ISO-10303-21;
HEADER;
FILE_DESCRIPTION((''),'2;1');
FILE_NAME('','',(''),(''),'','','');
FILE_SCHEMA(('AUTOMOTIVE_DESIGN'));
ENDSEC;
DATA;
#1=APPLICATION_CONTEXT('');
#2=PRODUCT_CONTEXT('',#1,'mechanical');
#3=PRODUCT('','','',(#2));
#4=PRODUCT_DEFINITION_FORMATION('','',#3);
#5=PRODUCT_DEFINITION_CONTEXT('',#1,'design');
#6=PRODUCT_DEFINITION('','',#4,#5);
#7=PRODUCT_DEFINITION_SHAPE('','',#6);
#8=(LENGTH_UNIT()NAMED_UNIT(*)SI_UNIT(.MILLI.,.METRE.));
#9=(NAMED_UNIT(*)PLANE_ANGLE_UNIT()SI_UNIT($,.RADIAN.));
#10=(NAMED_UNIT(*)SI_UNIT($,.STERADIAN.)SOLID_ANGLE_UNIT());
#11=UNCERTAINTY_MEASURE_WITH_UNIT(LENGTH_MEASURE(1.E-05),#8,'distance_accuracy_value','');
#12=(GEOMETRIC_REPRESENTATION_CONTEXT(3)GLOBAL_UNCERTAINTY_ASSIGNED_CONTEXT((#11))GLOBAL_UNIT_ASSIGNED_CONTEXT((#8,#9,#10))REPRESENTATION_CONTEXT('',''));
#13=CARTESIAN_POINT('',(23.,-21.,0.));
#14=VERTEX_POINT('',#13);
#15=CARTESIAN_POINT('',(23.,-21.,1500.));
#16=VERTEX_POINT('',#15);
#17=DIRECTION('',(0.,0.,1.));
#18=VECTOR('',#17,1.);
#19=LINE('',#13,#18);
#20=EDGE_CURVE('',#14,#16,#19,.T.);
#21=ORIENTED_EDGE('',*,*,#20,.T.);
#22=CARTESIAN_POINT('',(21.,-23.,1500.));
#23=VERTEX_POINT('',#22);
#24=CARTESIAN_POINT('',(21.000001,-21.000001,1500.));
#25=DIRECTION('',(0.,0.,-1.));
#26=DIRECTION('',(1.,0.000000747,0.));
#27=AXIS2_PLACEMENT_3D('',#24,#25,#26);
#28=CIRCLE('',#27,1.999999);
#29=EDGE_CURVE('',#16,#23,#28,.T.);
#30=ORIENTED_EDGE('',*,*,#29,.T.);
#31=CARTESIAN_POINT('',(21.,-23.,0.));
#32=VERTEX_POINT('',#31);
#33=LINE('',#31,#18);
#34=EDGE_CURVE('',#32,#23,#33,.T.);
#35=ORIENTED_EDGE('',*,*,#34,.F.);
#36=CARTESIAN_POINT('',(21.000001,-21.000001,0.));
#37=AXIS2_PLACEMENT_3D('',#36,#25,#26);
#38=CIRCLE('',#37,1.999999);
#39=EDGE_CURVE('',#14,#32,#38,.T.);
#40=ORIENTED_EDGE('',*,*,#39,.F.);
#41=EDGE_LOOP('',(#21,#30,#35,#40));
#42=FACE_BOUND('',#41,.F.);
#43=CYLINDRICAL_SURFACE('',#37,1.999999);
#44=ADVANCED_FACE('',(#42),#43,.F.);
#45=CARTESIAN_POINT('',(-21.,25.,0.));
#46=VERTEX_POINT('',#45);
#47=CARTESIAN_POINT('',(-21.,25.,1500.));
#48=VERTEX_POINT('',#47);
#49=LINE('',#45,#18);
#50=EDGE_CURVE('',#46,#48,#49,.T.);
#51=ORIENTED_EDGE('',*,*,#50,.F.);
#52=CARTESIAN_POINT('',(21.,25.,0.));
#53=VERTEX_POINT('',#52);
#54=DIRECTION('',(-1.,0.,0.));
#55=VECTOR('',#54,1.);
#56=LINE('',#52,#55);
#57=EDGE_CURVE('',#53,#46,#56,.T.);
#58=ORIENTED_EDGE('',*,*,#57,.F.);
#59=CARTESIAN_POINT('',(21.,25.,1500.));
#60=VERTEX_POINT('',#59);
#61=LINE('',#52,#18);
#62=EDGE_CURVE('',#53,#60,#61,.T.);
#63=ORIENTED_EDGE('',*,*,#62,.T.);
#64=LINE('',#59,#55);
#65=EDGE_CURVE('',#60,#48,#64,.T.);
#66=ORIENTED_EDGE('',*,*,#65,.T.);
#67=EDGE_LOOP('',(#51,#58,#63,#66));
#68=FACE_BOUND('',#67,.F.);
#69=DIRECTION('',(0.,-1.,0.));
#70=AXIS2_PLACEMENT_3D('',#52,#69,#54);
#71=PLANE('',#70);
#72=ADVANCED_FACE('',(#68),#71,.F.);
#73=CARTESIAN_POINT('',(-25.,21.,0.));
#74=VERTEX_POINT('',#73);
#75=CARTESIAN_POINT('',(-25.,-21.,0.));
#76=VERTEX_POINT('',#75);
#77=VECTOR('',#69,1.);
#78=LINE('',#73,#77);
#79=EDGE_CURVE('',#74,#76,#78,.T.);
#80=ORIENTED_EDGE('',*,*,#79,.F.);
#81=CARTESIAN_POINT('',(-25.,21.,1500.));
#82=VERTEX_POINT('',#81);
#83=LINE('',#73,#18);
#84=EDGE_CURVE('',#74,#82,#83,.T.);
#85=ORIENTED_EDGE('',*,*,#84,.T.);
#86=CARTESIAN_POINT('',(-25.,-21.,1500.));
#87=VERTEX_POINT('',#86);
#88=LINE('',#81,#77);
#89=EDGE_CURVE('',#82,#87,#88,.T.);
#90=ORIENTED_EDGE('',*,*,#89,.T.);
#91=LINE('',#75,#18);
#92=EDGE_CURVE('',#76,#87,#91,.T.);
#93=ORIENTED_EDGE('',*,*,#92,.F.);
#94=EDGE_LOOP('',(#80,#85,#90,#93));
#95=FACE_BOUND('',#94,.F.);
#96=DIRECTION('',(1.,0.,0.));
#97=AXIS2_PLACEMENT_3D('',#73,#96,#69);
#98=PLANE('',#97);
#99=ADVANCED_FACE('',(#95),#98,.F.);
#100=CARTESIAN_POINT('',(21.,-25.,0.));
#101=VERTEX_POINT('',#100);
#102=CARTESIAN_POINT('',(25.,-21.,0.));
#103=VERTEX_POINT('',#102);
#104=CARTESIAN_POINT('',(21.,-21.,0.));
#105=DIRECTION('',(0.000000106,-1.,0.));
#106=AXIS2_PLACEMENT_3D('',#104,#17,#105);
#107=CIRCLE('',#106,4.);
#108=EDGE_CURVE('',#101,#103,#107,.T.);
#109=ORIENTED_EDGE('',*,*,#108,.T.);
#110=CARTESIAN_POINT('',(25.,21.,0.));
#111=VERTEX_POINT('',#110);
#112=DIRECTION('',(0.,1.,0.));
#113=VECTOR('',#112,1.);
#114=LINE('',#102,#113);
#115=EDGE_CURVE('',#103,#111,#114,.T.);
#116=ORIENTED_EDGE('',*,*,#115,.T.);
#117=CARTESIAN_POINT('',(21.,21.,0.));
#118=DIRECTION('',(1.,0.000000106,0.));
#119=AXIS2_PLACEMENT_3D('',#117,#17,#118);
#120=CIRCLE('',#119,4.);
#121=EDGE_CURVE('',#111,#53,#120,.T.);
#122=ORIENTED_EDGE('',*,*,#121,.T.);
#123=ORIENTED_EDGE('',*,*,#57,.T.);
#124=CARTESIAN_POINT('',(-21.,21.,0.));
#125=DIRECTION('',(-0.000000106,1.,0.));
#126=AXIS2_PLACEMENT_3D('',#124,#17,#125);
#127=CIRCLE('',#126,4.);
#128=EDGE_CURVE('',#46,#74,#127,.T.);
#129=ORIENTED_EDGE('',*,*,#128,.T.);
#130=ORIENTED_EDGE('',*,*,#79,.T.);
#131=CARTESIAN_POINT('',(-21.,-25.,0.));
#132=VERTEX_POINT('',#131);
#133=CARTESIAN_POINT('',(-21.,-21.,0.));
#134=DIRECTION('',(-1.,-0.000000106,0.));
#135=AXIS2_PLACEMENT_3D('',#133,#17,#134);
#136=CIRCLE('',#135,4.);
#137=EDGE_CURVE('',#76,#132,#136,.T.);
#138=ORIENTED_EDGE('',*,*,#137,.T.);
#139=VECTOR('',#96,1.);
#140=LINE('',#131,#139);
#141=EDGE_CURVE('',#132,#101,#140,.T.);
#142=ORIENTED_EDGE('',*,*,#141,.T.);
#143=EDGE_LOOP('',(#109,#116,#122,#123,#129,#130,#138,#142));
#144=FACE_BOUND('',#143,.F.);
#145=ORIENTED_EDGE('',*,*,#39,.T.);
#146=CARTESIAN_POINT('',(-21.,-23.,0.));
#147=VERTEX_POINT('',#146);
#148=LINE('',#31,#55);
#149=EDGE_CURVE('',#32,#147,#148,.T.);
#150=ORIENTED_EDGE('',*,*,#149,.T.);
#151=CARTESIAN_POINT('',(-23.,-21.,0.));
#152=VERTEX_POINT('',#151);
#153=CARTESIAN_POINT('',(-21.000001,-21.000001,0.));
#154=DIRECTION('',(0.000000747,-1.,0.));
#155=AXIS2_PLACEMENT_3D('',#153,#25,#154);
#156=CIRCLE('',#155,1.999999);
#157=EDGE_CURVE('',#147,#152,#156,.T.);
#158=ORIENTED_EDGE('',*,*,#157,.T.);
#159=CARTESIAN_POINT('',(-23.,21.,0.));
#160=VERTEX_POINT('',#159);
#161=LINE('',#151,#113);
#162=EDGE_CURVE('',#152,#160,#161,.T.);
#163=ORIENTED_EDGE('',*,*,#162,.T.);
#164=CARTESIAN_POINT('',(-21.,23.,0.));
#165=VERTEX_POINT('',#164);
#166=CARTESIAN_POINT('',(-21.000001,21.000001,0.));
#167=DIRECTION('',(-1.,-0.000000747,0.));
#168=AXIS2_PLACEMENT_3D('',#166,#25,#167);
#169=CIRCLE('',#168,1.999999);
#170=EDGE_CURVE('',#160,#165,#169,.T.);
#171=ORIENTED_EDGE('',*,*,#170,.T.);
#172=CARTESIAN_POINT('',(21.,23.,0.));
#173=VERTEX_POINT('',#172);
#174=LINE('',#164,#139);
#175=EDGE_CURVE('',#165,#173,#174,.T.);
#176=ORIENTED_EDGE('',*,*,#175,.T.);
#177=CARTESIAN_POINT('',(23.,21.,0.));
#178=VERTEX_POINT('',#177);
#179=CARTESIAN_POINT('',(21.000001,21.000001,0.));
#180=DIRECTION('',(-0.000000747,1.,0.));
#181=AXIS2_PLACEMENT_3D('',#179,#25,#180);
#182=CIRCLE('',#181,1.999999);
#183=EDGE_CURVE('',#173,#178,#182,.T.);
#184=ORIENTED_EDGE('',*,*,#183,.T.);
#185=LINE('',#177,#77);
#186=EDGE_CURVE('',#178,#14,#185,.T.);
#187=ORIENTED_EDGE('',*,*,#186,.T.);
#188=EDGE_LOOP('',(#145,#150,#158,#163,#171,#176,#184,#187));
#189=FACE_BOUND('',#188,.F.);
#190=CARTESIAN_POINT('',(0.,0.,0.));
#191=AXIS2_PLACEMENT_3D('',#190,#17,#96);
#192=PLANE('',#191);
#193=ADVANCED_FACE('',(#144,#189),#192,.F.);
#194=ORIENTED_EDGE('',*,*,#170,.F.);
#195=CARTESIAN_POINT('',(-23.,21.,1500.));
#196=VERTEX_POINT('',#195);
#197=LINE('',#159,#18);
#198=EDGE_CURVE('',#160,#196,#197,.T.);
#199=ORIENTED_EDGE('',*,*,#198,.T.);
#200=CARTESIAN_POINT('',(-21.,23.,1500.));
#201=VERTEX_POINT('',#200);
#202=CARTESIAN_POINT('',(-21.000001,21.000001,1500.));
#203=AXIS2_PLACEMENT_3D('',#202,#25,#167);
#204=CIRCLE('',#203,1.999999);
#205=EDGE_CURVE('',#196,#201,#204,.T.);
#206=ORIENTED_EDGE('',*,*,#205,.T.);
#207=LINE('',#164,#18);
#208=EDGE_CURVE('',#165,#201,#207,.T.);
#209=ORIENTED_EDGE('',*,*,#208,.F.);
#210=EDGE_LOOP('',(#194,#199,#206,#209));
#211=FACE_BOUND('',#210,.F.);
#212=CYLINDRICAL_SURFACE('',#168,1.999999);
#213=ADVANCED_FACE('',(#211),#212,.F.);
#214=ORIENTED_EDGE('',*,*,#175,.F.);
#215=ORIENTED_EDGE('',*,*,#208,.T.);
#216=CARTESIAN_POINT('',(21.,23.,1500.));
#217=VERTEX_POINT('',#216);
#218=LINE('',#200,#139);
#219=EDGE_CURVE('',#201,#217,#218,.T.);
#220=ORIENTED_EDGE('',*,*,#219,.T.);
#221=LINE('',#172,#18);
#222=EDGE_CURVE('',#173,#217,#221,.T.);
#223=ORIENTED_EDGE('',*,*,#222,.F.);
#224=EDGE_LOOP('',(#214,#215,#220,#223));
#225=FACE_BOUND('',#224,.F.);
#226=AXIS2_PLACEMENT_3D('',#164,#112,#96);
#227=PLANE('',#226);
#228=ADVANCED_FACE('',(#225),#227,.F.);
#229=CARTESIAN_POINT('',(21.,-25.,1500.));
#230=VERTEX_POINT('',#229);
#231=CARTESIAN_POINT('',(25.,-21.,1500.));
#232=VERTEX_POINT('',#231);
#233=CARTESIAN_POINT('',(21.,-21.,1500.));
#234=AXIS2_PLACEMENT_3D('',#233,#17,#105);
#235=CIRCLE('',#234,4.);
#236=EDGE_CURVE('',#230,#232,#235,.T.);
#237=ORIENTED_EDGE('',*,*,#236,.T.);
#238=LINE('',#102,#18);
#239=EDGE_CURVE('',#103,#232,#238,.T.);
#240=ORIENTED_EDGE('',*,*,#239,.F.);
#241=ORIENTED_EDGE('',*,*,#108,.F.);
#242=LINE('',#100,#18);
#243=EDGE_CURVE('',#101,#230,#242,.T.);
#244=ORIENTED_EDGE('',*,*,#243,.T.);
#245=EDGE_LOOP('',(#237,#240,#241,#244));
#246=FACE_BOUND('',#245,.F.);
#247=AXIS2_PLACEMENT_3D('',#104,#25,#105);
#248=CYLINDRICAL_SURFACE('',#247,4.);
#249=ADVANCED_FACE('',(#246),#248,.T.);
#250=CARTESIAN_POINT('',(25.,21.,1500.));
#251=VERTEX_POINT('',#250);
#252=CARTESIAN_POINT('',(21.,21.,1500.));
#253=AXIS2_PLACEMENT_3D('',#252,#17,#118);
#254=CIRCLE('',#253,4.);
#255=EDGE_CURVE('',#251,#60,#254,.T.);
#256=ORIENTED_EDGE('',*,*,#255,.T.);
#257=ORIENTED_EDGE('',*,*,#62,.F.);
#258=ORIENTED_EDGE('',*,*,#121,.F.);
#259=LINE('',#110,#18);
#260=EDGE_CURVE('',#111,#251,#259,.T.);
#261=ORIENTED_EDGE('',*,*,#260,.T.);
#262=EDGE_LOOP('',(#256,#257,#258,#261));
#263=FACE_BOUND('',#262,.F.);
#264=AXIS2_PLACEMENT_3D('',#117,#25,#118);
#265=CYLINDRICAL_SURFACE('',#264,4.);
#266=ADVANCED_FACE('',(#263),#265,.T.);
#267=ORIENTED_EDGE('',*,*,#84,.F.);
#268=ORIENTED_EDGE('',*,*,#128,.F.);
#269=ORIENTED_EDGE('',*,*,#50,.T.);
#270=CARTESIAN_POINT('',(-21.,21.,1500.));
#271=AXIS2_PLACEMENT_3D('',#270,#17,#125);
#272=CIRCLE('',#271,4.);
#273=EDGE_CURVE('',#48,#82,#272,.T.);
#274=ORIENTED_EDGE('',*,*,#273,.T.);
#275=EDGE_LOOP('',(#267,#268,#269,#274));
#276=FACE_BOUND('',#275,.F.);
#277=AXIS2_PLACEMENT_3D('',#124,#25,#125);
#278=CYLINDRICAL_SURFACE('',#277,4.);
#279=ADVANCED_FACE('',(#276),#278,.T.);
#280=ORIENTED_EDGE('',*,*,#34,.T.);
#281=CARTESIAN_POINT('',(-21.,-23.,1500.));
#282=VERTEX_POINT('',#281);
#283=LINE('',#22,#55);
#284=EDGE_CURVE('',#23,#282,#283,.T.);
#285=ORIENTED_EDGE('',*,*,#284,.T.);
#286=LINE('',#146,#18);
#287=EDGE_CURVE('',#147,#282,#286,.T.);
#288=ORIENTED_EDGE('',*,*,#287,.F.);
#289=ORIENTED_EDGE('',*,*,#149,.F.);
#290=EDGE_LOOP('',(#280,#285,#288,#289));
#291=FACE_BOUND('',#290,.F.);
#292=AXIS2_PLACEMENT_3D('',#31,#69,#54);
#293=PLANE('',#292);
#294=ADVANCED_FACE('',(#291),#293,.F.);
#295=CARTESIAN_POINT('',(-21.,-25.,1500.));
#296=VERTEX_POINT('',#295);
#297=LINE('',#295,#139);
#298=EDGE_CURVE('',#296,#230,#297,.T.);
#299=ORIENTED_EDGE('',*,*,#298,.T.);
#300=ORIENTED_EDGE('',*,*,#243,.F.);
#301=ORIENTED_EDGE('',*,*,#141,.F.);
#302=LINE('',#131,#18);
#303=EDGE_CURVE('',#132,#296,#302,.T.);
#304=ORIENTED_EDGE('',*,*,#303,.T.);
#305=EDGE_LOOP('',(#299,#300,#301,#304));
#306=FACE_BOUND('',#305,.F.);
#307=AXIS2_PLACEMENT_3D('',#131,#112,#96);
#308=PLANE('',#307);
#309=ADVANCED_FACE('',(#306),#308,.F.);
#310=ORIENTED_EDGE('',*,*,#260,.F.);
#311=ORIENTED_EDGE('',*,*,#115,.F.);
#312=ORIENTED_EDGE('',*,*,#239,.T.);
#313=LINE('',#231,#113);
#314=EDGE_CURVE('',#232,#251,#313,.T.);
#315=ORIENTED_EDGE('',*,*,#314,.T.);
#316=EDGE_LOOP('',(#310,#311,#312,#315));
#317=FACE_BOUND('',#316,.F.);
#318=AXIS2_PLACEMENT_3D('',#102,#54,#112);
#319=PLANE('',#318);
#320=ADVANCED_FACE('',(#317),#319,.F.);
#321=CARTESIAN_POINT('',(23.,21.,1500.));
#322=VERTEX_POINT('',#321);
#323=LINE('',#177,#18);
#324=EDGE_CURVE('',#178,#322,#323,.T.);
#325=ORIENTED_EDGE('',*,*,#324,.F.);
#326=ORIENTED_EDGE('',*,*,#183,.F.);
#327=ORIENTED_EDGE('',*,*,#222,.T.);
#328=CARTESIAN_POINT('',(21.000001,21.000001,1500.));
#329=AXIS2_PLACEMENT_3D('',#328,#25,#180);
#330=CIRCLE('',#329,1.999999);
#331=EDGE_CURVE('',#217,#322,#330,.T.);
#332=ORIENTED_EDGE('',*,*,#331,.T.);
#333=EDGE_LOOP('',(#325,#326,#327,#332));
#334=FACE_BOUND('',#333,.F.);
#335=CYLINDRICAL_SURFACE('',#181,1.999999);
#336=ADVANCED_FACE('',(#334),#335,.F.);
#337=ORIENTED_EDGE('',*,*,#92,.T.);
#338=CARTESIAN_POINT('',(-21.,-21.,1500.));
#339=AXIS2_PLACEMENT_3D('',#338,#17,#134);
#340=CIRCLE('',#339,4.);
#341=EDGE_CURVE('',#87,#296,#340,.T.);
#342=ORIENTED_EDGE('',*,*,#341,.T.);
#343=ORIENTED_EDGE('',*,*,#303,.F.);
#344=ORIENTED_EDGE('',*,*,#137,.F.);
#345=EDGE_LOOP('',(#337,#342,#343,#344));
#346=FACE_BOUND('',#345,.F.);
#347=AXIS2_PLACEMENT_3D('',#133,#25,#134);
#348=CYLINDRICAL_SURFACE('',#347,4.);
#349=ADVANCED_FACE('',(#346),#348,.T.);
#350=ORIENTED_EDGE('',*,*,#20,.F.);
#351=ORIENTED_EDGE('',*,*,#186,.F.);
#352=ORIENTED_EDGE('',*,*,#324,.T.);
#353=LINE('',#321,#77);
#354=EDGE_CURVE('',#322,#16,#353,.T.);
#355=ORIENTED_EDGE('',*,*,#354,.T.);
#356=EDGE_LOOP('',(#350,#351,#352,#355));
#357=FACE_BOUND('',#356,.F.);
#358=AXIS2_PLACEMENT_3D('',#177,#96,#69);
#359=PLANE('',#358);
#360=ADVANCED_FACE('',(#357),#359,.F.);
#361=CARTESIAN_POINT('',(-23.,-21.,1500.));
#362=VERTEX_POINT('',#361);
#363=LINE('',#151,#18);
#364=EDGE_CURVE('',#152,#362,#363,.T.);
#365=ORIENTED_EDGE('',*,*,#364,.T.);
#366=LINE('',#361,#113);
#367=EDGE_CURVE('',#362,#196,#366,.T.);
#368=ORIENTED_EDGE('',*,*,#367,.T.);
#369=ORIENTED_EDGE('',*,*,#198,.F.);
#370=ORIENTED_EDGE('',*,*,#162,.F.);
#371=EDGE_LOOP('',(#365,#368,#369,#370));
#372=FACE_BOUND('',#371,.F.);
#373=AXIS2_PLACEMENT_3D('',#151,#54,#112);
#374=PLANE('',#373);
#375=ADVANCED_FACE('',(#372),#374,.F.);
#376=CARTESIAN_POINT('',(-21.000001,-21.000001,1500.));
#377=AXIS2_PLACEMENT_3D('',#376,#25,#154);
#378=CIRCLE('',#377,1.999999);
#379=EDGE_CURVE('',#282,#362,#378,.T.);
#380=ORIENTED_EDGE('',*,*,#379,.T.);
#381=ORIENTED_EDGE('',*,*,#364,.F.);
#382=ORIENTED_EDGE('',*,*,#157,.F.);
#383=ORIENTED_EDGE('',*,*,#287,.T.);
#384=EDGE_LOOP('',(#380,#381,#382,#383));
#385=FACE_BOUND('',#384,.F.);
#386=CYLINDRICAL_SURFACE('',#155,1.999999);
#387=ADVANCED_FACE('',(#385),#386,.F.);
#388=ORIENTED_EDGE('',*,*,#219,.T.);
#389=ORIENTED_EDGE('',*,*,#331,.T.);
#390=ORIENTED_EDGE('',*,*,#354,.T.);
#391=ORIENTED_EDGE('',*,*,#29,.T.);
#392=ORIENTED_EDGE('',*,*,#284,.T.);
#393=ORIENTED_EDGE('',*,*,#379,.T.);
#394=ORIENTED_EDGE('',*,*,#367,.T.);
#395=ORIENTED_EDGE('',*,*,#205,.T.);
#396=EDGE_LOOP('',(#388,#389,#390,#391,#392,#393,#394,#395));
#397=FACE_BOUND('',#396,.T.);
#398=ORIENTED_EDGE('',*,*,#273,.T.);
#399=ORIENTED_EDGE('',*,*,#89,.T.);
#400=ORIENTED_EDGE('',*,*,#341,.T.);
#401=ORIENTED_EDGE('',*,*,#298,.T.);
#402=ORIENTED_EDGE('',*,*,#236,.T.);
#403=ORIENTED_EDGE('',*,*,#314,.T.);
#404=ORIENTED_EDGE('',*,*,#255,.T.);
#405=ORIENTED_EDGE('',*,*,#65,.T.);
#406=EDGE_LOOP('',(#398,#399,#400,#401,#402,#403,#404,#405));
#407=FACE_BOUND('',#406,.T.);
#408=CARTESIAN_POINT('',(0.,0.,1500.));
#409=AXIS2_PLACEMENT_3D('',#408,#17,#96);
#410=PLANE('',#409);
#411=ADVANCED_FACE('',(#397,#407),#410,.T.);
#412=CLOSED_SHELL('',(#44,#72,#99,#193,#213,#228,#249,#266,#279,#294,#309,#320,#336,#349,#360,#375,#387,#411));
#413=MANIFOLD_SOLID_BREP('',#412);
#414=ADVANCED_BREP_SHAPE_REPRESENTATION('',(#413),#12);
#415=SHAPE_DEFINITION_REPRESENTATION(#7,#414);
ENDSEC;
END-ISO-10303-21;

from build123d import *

# Parameters (mm, degrees)
F1_DEPTH = 1500


with BuildPart() as f1:
    # F0 (on Top) → F1 (new body)
    with BuildSketch(Plane.XY):
        with BuildLine():
            Line((-21, -25), (21, -25))
            ThreePointArc((21, -25), (23.828427, -23.828427), (25, -21))
            Line((25, -21), (25, 21))
            ThreePointArc((25, 21), (23.828427, 23.828427), (21, 25))
            Line((21, 25), (-21, 25))
            ThreePointArc((-21, 25), (-23.828427, 23.828427), (-25, 21))
            Line((-25, 21), (-25, -21))
            ThreePointArc((-25, -21), (-23.828427, -23.828427), (-21, -25))
        make_face()
        with BuildLine():
            Line((-21, 23), (21, 23))
            ThreePointArc((21, 23), (22.414214, 22.414214), (23, 21))
            Line((23, 21), (23, -21))
            ThreePointArc((23, -21), (22.414214, -22.414214), (21, -23))
            Line((21, -23), (-21, -23))
            ThreePointArc((-21, -23), (-22.414214, -22.414214), (-23, -21))
            Line((-23, -21), (-23, 21))
            ThreePointArc((-23, 21), (-22.414214, 22.414214), (-21, 23))
        make_face(mode=Mode.SUBTRACT)
    extrude(amount=F1_DEPTH)


solid = f1.part
